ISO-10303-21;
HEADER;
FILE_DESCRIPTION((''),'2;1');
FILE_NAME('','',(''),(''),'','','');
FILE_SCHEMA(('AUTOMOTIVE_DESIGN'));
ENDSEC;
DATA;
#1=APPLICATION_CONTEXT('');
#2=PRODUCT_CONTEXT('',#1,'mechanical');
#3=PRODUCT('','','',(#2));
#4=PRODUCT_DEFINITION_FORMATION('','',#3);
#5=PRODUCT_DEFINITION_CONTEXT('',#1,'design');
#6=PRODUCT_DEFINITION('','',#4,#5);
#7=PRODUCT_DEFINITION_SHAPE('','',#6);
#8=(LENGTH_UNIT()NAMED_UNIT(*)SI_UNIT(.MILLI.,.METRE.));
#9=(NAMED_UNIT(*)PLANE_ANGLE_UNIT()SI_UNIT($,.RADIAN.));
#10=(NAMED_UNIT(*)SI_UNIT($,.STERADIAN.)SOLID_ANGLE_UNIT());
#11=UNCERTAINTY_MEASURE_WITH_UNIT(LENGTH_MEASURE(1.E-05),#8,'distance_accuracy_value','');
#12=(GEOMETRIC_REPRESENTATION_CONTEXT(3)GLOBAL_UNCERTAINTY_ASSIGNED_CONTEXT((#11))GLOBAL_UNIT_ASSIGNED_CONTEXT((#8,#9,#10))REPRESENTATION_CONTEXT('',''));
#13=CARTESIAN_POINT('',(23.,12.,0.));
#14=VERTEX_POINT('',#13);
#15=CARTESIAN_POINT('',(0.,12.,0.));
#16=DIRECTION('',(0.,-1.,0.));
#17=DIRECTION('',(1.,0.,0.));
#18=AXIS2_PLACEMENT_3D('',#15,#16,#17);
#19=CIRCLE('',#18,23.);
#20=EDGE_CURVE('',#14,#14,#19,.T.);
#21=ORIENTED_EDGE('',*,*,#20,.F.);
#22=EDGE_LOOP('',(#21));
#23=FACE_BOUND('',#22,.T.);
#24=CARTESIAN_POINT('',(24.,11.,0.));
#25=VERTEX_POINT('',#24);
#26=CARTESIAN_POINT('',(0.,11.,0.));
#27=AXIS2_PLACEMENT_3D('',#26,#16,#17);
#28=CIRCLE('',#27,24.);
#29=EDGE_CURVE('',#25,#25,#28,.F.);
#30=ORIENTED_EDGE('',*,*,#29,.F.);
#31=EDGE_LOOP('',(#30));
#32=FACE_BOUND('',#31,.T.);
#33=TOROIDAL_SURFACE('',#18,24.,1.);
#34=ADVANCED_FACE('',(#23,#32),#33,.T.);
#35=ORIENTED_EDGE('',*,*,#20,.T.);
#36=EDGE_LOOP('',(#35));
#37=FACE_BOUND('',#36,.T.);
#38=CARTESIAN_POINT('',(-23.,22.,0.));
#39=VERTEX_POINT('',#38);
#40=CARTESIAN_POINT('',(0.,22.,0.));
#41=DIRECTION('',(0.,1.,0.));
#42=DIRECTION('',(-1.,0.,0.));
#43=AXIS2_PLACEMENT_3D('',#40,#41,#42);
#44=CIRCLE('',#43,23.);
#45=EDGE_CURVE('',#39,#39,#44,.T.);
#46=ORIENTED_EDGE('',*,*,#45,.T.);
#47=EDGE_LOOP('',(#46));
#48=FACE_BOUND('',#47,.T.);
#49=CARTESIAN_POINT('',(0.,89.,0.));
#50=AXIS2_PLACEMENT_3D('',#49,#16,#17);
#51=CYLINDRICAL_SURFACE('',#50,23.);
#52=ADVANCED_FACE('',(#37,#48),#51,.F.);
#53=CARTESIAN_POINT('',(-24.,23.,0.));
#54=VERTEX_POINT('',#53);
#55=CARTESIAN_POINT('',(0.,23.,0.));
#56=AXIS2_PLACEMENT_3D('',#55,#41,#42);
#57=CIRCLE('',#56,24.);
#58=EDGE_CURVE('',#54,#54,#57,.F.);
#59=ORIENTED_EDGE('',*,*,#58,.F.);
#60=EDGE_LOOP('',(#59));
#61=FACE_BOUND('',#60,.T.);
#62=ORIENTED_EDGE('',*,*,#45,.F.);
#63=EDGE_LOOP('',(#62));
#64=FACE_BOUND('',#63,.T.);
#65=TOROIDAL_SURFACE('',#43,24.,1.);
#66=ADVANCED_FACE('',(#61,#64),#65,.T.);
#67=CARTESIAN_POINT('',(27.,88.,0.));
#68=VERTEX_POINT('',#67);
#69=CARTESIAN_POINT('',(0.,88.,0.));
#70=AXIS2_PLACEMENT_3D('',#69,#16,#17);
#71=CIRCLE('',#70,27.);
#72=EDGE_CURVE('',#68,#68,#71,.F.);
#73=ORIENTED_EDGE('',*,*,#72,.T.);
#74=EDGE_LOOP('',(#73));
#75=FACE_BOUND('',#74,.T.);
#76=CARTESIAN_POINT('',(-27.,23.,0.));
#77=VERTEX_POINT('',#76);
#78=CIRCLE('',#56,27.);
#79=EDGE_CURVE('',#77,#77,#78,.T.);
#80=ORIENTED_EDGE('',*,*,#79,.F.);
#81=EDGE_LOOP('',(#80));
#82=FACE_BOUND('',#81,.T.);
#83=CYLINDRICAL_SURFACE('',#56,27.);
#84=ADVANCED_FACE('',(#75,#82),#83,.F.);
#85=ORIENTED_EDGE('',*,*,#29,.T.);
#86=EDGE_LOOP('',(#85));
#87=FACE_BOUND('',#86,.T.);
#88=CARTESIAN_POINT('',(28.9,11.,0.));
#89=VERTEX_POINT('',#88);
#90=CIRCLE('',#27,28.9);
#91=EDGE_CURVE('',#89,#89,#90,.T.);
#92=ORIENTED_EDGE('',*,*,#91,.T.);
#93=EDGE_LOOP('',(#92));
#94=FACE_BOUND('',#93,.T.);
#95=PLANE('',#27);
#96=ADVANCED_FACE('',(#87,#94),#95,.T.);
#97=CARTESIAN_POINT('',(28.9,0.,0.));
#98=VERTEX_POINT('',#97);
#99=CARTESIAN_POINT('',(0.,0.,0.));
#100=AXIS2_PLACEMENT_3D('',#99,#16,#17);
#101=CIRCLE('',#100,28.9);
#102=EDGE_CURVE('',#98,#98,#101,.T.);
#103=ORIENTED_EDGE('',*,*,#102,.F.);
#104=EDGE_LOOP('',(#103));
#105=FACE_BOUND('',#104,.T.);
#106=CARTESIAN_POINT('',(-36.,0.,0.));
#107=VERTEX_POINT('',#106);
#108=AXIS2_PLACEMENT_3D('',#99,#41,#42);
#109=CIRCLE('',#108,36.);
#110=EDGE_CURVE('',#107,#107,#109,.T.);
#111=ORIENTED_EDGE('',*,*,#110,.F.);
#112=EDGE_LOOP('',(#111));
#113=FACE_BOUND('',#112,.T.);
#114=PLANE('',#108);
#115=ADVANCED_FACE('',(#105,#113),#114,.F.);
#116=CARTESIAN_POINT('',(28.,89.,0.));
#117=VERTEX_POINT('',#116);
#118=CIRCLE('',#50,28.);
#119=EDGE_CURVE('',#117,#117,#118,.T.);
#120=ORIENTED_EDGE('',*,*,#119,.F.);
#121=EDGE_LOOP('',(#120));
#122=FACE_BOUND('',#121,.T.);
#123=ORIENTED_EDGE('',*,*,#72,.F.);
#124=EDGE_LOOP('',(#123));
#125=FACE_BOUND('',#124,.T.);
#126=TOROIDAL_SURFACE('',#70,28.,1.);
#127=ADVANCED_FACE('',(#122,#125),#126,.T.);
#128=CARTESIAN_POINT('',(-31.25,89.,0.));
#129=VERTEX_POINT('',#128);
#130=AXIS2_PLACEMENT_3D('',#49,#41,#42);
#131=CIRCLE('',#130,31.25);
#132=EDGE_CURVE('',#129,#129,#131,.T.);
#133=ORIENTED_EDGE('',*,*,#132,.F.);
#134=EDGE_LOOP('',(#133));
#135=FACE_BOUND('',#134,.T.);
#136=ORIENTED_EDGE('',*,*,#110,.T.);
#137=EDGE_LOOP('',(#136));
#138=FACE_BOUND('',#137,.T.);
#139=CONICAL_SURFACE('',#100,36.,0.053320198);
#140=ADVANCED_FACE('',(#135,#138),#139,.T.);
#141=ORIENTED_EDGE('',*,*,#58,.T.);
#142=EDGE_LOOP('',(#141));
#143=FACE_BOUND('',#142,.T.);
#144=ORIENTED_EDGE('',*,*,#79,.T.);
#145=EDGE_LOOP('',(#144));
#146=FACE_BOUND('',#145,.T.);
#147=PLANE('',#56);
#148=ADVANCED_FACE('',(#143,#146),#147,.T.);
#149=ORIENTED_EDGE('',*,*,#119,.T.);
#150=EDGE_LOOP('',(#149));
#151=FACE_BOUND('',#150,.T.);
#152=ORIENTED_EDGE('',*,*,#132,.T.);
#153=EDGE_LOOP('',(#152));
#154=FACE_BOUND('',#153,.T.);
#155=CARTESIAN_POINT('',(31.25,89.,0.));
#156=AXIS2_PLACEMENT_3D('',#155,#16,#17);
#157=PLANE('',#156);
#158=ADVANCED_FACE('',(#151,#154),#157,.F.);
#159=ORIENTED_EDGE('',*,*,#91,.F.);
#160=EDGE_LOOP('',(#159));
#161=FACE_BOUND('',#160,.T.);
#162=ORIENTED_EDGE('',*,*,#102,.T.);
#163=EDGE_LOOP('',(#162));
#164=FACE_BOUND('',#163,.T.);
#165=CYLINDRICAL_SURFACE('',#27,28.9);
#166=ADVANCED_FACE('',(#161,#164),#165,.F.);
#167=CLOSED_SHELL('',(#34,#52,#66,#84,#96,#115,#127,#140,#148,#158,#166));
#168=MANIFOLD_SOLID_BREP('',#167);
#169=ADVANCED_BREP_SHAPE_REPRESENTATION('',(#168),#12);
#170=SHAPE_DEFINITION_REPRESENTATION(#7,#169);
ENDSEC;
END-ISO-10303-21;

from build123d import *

# Parameters (mm, degrees)
SKETCH_2_R          = 27
CUT_EXTRUDE_1_DEPTH = 66
SKETCH_3_R          = 28.9
CUT_EXTRUDE_2_DEPTH = 11
SKETCH_4_R          = 23
CUT_EXTRUDE_3_DEPTH = 94.145048178
FILLET_1_R          = 1
FILLET_3_R          = 1


with BuildPart() as part:
    # 草圖1 → 旋轉1 (revolve)
    with BuildSketch(Plane.XY, mode=Mode.PRIVATE) as revolve_1_sk:
        Polygon((0, 0), (36, 0), (31.25, 89), (0, 89), align=None)
    revolve(revolve_1_sk.sketch.rotate(Axis((0, 89, 0), (0, -1, 0)), 180), axis=Axis((0, 89, 0), (0, -1, 0)))

    # 草圖2 → 除料-伸長1 (cut)
    with BuildSketch(Plane(origin=(0, 89, 0), x_dir=(1, 0, 0), z_dir=(0, 1, 0))):
        with Locations(Location((0, 0, 0), (0, 0, 180))):
            Circle(SKETCH_2_R)
    extrude(amount=-CUT_EXTRUDE_1_DEPTH, mode=Mode.SUBTRACT)

    # 草圖3 → 除料-伸長2 (cut)
    with BuildSketch(Plane.XZ):
        Circle(SKETCH_3_R)
    extrude(amount=-CUT_EXTRUDE_2_DEPTH, mode=Mode.SUBTRACT)

    # 草圖4 → 除料-伸長3 (cut, through all)
    with BuildSketch(Plane.XZ.offset(-11)):
        Circle(SKETCH_4_R)
    extrude(amount=-CUT_EXTRUDE_3_DEPTH, mode=Mode.SUBTRACT)

    # 圓角1
    fillet_1_edges = [part.edges().sort_by_distance(p)[0] for p in [
        (27, 89, 0),
    ]]
    fillet(fillet_1_edges, radius=FILLET_1_R)

    # 圓角3
    fillet_3_edges = [part.edges().sort_by_distance(p)[0] for p in [
        (-23, 23, 0),
        (-23, 11, 0),
    ]]
    fillet(fillet_3_edges, radius=FILLET_3_R)


solid = part.part
